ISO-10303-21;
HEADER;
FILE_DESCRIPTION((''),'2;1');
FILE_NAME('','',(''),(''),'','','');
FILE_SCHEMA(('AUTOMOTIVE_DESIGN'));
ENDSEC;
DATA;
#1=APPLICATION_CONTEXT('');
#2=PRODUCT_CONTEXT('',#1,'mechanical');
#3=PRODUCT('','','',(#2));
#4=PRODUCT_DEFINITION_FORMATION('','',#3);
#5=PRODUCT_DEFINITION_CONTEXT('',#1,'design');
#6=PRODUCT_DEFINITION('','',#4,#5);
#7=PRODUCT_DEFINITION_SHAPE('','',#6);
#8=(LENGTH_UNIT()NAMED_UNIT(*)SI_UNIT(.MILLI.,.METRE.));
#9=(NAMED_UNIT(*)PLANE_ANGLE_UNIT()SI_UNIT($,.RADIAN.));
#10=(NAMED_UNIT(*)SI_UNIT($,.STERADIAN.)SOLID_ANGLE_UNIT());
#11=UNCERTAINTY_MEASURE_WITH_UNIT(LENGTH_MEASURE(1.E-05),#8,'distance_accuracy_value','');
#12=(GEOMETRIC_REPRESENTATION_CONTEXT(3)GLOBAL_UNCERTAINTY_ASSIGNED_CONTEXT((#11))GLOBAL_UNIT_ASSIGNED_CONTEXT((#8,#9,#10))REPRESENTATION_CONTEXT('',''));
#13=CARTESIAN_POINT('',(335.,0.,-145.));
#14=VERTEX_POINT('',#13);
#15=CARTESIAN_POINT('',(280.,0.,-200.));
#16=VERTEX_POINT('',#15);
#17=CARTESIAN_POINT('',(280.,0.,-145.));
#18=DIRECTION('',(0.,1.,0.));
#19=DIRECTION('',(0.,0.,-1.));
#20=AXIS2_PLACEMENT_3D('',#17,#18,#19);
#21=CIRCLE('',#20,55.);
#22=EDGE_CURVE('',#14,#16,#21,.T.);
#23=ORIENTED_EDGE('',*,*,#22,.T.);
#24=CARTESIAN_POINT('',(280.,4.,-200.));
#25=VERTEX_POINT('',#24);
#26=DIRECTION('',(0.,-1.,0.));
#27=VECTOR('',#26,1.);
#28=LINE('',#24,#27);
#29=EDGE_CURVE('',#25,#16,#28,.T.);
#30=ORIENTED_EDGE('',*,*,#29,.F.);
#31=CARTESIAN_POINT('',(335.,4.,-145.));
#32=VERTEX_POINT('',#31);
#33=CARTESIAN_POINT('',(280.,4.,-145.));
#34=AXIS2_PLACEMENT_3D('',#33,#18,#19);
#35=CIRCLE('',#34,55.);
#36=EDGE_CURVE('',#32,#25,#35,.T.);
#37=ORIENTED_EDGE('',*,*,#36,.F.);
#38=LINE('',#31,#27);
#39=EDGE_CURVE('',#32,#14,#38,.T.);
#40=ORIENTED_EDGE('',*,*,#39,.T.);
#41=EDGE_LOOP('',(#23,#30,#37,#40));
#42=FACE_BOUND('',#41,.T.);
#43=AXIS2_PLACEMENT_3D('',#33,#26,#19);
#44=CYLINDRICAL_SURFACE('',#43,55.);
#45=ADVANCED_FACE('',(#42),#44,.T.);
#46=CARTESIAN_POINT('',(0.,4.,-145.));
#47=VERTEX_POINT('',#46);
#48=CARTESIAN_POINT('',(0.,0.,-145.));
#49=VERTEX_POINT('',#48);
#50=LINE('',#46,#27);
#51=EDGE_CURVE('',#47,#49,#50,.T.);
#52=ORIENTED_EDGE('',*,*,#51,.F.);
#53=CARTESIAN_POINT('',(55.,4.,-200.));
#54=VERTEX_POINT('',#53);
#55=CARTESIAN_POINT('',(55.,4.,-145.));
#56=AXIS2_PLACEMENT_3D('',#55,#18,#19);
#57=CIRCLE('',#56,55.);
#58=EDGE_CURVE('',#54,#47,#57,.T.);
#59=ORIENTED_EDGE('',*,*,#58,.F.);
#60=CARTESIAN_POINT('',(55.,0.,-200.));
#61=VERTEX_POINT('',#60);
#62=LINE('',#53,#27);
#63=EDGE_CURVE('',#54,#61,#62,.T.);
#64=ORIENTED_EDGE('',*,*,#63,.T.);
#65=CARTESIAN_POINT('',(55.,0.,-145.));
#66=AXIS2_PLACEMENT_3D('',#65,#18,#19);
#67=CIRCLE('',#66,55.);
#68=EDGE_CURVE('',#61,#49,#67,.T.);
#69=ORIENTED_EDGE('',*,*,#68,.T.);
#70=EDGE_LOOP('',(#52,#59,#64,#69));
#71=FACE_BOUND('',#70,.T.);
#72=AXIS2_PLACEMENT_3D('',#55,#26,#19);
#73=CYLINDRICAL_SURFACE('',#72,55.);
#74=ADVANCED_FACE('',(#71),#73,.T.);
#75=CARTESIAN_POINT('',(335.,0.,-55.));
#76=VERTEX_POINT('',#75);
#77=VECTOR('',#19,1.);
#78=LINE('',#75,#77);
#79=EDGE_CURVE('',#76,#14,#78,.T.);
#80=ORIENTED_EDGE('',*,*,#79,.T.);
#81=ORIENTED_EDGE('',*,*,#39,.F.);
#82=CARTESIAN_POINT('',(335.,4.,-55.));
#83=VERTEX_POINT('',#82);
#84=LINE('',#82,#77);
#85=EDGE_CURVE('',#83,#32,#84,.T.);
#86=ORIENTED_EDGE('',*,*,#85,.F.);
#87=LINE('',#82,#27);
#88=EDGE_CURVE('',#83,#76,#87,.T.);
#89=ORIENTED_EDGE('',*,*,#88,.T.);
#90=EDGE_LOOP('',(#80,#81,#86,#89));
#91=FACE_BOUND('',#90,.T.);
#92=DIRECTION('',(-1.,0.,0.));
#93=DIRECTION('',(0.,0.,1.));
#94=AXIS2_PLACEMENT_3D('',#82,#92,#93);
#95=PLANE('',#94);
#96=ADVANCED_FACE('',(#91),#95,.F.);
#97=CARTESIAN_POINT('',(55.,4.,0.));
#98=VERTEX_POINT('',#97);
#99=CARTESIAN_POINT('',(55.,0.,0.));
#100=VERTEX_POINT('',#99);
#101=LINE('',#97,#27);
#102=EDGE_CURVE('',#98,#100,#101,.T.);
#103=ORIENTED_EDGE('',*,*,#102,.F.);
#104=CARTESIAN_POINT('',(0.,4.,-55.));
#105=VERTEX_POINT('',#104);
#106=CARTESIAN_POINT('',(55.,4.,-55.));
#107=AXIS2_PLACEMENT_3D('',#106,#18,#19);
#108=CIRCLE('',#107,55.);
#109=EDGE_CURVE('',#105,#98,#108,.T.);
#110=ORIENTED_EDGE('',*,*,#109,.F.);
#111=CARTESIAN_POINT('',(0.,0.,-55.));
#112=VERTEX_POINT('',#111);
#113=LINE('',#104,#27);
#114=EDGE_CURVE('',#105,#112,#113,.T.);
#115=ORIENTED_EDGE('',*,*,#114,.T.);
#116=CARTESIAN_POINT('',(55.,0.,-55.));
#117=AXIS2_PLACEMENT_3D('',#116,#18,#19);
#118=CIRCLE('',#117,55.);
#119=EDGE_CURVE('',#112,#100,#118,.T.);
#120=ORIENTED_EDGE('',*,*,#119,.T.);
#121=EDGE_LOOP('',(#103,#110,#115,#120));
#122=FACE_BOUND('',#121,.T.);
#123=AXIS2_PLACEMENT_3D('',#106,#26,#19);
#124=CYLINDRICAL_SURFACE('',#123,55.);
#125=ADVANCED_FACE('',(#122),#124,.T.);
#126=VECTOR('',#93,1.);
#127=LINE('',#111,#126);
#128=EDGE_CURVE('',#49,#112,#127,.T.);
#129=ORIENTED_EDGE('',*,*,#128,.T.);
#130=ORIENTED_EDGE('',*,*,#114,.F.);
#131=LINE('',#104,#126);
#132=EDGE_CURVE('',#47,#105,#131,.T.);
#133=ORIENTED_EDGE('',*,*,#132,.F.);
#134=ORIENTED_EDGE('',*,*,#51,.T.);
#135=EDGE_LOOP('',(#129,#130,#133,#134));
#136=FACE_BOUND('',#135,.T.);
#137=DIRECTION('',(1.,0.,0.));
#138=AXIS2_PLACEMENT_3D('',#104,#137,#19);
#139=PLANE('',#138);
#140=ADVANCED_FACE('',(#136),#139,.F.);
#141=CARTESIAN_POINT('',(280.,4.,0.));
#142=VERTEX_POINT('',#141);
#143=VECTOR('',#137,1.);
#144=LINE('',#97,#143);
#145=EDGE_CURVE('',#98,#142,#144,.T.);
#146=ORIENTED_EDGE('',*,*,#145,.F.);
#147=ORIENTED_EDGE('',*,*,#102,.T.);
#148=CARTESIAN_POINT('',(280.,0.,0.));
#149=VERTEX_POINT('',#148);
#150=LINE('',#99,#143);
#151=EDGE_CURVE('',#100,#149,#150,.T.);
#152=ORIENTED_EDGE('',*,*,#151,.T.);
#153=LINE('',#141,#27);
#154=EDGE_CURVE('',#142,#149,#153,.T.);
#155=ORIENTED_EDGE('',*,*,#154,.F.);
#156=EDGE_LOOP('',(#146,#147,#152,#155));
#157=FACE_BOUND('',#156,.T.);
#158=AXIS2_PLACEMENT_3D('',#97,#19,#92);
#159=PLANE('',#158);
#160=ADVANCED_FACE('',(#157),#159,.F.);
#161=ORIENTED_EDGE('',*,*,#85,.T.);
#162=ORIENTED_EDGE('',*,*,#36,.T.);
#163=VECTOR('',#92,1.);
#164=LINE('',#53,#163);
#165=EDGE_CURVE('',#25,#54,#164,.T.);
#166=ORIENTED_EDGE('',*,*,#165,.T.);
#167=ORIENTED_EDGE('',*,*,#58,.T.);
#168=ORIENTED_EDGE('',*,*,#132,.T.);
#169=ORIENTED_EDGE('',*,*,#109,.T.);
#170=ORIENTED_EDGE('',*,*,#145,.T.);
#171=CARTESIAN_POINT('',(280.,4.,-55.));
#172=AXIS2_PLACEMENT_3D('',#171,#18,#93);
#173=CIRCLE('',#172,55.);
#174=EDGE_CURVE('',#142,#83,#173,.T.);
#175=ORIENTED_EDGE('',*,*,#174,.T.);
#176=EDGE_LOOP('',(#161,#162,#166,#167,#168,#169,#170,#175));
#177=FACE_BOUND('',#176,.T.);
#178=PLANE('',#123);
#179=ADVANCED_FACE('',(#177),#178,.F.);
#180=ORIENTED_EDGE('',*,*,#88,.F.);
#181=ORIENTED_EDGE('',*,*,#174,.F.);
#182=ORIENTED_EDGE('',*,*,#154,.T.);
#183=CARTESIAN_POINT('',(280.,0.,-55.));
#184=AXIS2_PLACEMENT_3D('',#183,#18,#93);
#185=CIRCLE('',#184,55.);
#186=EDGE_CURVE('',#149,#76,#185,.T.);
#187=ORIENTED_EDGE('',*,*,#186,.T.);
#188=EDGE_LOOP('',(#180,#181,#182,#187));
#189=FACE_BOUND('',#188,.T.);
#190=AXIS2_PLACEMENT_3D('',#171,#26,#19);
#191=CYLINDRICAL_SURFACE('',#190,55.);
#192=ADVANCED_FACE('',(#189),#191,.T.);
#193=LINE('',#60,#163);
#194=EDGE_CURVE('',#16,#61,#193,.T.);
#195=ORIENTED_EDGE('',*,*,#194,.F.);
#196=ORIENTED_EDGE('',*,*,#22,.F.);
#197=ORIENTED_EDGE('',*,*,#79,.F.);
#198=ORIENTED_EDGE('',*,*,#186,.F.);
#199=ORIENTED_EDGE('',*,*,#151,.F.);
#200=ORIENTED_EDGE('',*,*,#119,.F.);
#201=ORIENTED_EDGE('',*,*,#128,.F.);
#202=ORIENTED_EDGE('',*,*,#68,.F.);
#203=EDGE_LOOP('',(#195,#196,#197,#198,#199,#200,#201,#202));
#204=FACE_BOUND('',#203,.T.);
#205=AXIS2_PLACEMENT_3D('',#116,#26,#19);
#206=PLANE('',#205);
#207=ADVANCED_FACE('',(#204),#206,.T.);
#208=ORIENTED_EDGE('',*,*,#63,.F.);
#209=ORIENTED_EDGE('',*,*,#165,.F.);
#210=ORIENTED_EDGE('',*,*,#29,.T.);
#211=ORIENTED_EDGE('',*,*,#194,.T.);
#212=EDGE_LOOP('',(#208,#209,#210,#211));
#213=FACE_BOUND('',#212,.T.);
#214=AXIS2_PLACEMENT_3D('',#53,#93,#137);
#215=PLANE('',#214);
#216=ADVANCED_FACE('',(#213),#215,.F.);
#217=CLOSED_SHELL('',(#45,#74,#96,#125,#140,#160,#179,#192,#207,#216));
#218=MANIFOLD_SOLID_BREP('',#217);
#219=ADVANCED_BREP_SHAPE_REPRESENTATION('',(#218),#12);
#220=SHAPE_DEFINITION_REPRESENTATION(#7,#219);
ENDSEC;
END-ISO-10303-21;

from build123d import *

# Parameters (mm, degrees)
BOSS_EXTRUDE1_DEPTH = 4


with BuildPart() as part:
    # Sketch1 → Boss-Extrude1 (new body)
    with BuildSketch(Plane(origin=(0, 0, 0), x_dir=(1, 0, 0), z_dir=(0, 1, 0))):
        with BuildLine():
            Line((55, 0), (280, 0))
            ThreePointArc((280, 0), (318.890872965, 16.109127035), (335, 55))
            Line((335, 55), (335, 145))
            ThreePointArc((335, 145), (318.890872965, 183.890872965), (280, 200))
            Line((280, 200), (55, 200))
            ThreePointArc((55, 200), (16.109127035, 183.890872965), (0, 145))
            Line((0, 145), (0, 55))
            ThreePointArc((0, 55), (16.109127035, 16.109127035), (55, 0))
        make_face()
    extrude(amount=BOSS_EXTRUDE1_DEPTH)


solid = part.part
